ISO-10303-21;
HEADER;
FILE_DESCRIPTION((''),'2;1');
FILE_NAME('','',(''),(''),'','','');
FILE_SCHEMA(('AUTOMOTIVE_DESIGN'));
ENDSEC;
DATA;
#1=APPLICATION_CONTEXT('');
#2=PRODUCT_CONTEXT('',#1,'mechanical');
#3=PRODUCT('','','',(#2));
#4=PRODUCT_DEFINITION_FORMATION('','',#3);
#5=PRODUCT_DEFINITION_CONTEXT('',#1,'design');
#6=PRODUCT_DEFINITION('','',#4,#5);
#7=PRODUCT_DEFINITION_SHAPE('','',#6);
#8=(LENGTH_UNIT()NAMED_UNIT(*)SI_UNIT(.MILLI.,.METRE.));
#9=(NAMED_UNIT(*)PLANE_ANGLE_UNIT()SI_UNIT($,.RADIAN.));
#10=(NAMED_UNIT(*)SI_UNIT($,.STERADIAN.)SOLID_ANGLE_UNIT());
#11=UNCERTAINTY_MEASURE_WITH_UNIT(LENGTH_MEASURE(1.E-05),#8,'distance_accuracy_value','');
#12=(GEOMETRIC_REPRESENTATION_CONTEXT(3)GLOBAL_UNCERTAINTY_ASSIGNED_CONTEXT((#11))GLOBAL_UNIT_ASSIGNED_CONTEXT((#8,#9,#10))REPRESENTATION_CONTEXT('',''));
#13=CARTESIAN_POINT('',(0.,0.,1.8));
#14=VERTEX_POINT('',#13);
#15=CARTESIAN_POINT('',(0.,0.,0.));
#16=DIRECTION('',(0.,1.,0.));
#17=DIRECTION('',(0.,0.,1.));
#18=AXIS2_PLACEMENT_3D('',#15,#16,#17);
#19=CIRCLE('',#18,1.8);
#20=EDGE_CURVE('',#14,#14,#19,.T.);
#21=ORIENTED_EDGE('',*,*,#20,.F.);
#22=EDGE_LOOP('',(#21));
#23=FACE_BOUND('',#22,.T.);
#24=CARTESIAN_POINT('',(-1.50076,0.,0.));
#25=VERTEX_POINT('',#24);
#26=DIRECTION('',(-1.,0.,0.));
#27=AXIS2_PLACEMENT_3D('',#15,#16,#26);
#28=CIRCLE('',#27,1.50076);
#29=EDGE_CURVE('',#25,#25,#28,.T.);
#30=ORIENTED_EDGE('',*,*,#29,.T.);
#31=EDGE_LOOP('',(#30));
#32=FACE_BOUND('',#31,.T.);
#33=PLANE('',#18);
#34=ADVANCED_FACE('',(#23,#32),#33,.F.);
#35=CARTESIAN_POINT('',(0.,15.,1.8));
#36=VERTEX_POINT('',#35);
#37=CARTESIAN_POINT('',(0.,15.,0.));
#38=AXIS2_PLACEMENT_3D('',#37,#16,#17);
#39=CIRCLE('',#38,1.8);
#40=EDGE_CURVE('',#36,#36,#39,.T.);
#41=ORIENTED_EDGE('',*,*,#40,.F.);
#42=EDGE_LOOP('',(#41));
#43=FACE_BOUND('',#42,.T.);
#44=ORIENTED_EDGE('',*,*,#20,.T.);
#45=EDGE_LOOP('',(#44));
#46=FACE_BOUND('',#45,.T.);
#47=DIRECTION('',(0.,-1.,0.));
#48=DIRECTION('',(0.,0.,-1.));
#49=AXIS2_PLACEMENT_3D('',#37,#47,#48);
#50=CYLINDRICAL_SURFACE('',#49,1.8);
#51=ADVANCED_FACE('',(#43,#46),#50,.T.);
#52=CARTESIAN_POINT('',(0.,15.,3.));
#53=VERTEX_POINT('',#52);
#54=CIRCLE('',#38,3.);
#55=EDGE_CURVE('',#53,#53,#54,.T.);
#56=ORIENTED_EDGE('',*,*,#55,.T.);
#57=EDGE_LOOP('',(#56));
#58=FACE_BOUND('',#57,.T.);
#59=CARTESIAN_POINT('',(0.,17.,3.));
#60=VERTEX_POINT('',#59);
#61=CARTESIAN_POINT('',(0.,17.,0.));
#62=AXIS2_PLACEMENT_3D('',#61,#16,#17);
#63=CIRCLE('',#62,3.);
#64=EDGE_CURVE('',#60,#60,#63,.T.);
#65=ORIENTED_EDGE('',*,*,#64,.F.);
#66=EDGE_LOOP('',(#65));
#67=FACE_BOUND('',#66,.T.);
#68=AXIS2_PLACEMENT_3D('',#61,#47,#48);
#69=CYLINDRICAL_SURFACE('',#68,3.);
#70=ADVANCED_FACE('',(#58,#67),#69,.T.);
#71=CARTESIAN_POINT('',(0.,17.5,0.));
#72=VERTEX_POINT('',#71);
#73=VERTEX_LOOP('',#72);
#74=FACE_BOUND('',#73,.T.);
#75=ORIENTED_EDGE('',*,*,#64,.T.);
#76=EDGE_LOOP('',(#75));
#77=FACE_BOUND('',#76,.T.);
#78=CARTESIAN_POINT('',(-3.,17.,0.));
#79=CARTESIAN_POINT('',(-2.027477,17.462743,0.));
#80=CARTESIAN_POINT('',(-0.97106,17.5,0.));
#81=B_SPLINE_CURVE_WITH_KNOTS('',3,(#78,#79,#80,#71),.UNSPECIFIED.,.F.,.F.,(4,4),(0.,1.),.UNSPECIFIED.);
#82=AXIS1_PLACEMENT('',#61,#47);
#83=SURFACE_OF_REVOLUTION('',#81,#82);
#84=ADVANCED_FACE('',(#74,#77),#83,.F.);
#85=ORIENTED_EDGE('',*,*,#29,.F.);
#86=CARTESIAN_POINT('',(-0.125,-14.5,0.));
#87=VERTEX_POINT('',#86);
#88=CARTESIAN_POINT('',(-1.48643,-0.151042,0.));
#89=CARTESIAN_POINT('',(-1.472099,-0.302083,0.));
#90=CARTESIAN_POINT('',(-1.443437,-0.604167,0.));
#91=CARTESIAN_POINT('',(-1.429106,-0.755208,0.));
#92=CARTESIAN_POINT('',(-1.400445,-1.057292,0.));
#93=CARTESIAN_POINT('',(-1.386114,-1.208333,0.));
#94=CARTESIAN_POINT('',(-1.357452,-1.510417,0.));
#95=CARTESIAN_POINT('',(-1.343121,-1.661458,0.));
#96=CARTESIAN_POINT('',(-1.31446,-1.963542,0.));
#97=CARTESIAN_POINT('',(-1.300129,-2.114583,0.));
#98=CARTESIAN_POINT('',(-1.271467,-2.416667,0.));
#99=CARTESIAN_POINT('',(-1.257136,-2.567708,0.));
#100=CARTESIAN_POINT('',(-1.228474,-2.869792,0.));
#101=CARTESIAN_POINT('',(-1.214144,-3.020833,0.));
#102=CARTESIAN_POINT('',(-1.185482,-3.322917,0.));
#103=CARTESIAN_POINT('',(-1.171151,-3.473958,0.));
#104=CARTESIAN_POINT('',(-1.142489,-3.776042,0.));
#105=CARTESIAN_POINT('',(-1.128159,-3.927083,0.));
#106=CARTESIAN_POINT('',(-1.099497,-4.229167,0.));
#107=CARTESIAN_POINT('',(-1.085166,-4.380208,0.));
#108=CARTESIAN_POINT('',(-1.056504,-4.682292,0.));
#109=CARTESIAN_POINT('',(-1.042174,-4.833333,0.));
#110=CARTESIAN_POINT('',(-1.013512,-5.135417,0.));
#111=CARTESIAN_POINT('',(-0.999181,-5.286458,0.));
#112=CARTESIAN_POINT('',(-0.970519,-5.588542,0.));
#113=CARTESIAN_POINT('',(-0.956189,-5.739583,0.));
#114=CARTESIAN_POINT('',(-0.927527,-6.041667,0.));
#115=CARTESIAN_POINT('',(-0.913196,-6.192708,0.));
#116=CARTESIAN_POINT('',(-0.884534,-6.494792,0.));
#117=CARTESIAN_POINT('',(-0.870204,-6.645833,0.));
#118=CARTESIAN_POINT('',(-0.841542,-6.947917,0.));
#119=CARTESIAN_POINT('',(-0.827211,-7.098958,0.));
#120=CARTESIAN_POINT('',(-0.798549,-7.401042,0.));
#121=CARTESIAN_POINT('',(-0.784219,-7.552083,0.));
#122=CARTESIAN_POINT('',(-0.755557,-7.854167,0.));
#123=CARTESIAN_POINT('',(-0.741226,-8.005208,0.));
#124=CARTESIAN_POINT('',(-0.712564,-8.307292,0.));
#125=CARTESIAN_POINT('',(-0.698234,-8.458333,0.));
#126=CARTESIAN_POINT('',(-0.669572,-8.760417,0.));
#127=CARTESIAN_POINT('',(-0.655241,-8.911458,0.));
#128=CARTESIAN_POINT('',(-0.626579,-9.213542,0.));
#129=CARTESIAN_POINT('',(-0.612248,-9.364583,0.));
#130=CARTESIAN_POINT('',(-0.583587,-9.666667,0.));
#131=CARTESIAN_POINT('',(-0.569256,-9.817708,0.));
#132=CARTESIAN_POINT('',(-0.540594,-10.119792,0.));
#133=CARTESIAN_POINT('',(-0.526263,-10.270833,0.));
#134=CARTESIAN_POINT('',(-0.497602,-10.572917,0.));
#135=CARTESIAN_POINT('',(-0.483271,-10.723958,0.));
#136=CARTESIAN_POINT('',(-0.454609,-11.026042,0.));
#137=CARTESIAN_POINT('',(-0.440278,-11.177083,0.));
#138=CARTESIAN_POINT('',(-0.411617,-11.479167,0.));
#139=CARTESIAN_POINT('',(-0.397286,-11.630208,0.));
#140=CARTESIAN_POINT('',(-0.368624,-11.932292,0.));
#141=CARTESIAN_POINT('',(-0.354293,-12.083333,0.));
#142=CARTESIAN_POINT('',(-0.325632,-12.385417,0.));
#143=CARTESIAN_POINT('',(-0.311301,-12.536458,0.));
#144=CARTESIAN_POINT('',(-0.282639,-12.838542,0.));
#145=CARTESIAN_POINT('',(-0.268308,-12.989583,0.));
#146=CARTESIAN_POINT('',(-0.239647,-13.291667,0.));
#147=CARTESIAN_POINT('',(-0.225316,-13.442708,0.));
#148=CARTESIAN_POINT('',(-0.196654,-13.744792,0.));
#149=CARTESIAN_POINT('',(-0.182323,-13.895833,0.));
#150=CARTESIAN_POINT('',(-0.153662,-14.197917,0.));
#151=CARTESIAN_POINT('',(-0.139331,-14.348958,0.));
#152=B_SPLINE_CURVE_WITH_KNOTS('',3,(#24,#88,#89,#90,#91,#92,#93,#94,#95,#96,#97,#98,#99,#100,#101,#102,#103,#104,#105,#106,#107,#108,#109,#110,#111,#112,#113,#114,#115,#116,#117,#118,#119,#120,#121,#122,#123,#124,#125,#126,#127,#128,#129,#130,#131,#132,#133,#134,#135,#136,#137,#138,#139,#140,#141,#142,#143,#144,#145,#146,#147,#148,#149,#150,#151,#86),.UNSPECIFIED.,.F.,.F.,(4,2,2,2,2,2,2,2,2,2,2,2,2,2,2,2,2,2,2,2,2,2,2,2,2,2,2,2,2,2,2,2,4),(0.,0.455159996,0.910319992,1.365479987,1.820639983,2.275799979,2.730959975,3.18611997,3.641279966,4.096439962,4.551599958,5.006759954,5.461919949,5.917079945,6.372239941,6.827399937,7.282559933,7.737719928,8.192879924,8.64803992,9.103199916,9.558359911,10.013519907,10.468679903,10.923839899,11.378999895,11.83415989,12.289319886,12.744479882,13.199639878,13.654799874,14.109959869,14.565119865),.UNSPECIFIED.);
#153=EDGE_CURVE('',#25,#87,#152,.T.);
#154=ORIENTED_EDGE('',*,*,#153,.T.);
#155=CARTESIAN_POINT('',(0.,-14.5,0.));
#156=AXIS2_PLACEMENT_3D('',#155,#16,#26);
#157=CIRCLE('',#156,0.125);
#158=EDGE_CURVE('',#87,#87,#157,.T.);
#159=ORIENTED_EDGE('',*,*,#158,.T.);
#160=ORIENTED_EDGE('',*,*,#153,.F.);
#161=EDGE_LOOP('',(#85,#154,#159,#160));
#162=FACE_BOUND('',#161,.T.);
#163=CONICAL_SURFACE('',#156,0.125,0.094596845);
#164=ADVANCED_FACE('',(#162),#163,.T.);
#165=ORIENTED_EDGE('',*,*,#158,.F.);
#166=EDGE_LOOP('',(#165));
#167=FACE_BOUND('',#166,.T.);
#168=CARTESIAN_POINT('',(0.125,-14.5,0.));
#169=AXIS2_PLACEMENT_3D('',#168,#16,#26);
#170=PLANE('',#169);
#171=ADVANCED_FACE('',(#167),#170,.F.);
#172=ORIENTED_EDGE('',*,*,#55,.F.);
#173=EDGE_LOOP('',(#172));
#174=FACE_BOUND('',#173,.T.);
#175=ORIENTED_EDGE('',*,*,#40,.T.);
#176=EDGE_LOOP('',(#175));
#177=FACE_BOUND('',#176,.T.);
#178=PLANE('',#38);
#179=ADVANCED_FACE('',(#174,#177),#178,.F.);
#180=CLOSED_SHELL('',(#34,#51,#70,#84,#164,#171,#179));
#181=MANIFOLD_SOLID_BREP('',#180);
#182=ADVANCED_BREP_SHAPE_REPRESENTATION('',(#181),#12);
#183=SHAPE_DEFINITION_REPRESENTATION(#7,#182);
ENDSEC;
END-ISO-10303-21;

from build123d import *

# Parameters (mm, degrees)
SKETCH1_R           = 1.8
BOSS_EXTRUDE1_DEPTH = 15
SKETCH2_R           = 3
BOSS_EXTRUDE2_DEPTH = 2


with BuildPart() as part:
    # Sketch1 → Boss-Extrude1 (new body)
    with BuildSketch(Plane(origin=(0, 0, 0), x_dir=(1, 0, 0), z_dir=(0, 1, 0))):
        with Locations(Location((0, 0, 0), (0, 0, 270))):
            Circle(SKETCH1_R)
    extrude(amount=BOSS_EXTRUDE1_DEPTH)

    # Sketch2 → Boss-Extrude2 (add)
    with BuildSketch(Plane(origin=(0, 15, 0), x_dir=(1, 0, 0), z_dir=(0, 1, 0))):
        with Locations(Location((0, 0, 0), (0, 0, 270))):
            Circle(SKETCH2_R)
    extrude(amount=BOSS_EXTRUDE2_DEPTH)

    # Sketch3 → Revolve1 (revolve)
    with BuildSketch(Plane.XY):
        with BuildLine():
            Line((0, 17), (-3, 17))
            add(Edge.make_bspline(
                [(-3, 17), (-2.027477475, 17.462743373), (-0.971060037, 17.5), (0, 17.5)],
                knots=[0, 0, 0, 0, 1, 1, 1, 1], degree=3))
            Line((0, 17.5), (0, 17))
        make_face()
    revolve(axis=Axis((0, 17, 0), (0, 1, 0)))

    # Sketch4 → Revolve3 (revolve)
    with BuildSketch(Plane.XY, mode=Mode.PRIVATE) as revolve3_sk:
        Polygon((0, 0), (1.500760402, 0), (0.125, -14.5), (0, -14.5), align=None)
    revolve(revolve3_sk.sketch.rotate(Axis((0, 0, 0), (0, -1, 0)), 180), axis=Axis((0, 0, 0), (0, -1, 0)))


solid = part.part
